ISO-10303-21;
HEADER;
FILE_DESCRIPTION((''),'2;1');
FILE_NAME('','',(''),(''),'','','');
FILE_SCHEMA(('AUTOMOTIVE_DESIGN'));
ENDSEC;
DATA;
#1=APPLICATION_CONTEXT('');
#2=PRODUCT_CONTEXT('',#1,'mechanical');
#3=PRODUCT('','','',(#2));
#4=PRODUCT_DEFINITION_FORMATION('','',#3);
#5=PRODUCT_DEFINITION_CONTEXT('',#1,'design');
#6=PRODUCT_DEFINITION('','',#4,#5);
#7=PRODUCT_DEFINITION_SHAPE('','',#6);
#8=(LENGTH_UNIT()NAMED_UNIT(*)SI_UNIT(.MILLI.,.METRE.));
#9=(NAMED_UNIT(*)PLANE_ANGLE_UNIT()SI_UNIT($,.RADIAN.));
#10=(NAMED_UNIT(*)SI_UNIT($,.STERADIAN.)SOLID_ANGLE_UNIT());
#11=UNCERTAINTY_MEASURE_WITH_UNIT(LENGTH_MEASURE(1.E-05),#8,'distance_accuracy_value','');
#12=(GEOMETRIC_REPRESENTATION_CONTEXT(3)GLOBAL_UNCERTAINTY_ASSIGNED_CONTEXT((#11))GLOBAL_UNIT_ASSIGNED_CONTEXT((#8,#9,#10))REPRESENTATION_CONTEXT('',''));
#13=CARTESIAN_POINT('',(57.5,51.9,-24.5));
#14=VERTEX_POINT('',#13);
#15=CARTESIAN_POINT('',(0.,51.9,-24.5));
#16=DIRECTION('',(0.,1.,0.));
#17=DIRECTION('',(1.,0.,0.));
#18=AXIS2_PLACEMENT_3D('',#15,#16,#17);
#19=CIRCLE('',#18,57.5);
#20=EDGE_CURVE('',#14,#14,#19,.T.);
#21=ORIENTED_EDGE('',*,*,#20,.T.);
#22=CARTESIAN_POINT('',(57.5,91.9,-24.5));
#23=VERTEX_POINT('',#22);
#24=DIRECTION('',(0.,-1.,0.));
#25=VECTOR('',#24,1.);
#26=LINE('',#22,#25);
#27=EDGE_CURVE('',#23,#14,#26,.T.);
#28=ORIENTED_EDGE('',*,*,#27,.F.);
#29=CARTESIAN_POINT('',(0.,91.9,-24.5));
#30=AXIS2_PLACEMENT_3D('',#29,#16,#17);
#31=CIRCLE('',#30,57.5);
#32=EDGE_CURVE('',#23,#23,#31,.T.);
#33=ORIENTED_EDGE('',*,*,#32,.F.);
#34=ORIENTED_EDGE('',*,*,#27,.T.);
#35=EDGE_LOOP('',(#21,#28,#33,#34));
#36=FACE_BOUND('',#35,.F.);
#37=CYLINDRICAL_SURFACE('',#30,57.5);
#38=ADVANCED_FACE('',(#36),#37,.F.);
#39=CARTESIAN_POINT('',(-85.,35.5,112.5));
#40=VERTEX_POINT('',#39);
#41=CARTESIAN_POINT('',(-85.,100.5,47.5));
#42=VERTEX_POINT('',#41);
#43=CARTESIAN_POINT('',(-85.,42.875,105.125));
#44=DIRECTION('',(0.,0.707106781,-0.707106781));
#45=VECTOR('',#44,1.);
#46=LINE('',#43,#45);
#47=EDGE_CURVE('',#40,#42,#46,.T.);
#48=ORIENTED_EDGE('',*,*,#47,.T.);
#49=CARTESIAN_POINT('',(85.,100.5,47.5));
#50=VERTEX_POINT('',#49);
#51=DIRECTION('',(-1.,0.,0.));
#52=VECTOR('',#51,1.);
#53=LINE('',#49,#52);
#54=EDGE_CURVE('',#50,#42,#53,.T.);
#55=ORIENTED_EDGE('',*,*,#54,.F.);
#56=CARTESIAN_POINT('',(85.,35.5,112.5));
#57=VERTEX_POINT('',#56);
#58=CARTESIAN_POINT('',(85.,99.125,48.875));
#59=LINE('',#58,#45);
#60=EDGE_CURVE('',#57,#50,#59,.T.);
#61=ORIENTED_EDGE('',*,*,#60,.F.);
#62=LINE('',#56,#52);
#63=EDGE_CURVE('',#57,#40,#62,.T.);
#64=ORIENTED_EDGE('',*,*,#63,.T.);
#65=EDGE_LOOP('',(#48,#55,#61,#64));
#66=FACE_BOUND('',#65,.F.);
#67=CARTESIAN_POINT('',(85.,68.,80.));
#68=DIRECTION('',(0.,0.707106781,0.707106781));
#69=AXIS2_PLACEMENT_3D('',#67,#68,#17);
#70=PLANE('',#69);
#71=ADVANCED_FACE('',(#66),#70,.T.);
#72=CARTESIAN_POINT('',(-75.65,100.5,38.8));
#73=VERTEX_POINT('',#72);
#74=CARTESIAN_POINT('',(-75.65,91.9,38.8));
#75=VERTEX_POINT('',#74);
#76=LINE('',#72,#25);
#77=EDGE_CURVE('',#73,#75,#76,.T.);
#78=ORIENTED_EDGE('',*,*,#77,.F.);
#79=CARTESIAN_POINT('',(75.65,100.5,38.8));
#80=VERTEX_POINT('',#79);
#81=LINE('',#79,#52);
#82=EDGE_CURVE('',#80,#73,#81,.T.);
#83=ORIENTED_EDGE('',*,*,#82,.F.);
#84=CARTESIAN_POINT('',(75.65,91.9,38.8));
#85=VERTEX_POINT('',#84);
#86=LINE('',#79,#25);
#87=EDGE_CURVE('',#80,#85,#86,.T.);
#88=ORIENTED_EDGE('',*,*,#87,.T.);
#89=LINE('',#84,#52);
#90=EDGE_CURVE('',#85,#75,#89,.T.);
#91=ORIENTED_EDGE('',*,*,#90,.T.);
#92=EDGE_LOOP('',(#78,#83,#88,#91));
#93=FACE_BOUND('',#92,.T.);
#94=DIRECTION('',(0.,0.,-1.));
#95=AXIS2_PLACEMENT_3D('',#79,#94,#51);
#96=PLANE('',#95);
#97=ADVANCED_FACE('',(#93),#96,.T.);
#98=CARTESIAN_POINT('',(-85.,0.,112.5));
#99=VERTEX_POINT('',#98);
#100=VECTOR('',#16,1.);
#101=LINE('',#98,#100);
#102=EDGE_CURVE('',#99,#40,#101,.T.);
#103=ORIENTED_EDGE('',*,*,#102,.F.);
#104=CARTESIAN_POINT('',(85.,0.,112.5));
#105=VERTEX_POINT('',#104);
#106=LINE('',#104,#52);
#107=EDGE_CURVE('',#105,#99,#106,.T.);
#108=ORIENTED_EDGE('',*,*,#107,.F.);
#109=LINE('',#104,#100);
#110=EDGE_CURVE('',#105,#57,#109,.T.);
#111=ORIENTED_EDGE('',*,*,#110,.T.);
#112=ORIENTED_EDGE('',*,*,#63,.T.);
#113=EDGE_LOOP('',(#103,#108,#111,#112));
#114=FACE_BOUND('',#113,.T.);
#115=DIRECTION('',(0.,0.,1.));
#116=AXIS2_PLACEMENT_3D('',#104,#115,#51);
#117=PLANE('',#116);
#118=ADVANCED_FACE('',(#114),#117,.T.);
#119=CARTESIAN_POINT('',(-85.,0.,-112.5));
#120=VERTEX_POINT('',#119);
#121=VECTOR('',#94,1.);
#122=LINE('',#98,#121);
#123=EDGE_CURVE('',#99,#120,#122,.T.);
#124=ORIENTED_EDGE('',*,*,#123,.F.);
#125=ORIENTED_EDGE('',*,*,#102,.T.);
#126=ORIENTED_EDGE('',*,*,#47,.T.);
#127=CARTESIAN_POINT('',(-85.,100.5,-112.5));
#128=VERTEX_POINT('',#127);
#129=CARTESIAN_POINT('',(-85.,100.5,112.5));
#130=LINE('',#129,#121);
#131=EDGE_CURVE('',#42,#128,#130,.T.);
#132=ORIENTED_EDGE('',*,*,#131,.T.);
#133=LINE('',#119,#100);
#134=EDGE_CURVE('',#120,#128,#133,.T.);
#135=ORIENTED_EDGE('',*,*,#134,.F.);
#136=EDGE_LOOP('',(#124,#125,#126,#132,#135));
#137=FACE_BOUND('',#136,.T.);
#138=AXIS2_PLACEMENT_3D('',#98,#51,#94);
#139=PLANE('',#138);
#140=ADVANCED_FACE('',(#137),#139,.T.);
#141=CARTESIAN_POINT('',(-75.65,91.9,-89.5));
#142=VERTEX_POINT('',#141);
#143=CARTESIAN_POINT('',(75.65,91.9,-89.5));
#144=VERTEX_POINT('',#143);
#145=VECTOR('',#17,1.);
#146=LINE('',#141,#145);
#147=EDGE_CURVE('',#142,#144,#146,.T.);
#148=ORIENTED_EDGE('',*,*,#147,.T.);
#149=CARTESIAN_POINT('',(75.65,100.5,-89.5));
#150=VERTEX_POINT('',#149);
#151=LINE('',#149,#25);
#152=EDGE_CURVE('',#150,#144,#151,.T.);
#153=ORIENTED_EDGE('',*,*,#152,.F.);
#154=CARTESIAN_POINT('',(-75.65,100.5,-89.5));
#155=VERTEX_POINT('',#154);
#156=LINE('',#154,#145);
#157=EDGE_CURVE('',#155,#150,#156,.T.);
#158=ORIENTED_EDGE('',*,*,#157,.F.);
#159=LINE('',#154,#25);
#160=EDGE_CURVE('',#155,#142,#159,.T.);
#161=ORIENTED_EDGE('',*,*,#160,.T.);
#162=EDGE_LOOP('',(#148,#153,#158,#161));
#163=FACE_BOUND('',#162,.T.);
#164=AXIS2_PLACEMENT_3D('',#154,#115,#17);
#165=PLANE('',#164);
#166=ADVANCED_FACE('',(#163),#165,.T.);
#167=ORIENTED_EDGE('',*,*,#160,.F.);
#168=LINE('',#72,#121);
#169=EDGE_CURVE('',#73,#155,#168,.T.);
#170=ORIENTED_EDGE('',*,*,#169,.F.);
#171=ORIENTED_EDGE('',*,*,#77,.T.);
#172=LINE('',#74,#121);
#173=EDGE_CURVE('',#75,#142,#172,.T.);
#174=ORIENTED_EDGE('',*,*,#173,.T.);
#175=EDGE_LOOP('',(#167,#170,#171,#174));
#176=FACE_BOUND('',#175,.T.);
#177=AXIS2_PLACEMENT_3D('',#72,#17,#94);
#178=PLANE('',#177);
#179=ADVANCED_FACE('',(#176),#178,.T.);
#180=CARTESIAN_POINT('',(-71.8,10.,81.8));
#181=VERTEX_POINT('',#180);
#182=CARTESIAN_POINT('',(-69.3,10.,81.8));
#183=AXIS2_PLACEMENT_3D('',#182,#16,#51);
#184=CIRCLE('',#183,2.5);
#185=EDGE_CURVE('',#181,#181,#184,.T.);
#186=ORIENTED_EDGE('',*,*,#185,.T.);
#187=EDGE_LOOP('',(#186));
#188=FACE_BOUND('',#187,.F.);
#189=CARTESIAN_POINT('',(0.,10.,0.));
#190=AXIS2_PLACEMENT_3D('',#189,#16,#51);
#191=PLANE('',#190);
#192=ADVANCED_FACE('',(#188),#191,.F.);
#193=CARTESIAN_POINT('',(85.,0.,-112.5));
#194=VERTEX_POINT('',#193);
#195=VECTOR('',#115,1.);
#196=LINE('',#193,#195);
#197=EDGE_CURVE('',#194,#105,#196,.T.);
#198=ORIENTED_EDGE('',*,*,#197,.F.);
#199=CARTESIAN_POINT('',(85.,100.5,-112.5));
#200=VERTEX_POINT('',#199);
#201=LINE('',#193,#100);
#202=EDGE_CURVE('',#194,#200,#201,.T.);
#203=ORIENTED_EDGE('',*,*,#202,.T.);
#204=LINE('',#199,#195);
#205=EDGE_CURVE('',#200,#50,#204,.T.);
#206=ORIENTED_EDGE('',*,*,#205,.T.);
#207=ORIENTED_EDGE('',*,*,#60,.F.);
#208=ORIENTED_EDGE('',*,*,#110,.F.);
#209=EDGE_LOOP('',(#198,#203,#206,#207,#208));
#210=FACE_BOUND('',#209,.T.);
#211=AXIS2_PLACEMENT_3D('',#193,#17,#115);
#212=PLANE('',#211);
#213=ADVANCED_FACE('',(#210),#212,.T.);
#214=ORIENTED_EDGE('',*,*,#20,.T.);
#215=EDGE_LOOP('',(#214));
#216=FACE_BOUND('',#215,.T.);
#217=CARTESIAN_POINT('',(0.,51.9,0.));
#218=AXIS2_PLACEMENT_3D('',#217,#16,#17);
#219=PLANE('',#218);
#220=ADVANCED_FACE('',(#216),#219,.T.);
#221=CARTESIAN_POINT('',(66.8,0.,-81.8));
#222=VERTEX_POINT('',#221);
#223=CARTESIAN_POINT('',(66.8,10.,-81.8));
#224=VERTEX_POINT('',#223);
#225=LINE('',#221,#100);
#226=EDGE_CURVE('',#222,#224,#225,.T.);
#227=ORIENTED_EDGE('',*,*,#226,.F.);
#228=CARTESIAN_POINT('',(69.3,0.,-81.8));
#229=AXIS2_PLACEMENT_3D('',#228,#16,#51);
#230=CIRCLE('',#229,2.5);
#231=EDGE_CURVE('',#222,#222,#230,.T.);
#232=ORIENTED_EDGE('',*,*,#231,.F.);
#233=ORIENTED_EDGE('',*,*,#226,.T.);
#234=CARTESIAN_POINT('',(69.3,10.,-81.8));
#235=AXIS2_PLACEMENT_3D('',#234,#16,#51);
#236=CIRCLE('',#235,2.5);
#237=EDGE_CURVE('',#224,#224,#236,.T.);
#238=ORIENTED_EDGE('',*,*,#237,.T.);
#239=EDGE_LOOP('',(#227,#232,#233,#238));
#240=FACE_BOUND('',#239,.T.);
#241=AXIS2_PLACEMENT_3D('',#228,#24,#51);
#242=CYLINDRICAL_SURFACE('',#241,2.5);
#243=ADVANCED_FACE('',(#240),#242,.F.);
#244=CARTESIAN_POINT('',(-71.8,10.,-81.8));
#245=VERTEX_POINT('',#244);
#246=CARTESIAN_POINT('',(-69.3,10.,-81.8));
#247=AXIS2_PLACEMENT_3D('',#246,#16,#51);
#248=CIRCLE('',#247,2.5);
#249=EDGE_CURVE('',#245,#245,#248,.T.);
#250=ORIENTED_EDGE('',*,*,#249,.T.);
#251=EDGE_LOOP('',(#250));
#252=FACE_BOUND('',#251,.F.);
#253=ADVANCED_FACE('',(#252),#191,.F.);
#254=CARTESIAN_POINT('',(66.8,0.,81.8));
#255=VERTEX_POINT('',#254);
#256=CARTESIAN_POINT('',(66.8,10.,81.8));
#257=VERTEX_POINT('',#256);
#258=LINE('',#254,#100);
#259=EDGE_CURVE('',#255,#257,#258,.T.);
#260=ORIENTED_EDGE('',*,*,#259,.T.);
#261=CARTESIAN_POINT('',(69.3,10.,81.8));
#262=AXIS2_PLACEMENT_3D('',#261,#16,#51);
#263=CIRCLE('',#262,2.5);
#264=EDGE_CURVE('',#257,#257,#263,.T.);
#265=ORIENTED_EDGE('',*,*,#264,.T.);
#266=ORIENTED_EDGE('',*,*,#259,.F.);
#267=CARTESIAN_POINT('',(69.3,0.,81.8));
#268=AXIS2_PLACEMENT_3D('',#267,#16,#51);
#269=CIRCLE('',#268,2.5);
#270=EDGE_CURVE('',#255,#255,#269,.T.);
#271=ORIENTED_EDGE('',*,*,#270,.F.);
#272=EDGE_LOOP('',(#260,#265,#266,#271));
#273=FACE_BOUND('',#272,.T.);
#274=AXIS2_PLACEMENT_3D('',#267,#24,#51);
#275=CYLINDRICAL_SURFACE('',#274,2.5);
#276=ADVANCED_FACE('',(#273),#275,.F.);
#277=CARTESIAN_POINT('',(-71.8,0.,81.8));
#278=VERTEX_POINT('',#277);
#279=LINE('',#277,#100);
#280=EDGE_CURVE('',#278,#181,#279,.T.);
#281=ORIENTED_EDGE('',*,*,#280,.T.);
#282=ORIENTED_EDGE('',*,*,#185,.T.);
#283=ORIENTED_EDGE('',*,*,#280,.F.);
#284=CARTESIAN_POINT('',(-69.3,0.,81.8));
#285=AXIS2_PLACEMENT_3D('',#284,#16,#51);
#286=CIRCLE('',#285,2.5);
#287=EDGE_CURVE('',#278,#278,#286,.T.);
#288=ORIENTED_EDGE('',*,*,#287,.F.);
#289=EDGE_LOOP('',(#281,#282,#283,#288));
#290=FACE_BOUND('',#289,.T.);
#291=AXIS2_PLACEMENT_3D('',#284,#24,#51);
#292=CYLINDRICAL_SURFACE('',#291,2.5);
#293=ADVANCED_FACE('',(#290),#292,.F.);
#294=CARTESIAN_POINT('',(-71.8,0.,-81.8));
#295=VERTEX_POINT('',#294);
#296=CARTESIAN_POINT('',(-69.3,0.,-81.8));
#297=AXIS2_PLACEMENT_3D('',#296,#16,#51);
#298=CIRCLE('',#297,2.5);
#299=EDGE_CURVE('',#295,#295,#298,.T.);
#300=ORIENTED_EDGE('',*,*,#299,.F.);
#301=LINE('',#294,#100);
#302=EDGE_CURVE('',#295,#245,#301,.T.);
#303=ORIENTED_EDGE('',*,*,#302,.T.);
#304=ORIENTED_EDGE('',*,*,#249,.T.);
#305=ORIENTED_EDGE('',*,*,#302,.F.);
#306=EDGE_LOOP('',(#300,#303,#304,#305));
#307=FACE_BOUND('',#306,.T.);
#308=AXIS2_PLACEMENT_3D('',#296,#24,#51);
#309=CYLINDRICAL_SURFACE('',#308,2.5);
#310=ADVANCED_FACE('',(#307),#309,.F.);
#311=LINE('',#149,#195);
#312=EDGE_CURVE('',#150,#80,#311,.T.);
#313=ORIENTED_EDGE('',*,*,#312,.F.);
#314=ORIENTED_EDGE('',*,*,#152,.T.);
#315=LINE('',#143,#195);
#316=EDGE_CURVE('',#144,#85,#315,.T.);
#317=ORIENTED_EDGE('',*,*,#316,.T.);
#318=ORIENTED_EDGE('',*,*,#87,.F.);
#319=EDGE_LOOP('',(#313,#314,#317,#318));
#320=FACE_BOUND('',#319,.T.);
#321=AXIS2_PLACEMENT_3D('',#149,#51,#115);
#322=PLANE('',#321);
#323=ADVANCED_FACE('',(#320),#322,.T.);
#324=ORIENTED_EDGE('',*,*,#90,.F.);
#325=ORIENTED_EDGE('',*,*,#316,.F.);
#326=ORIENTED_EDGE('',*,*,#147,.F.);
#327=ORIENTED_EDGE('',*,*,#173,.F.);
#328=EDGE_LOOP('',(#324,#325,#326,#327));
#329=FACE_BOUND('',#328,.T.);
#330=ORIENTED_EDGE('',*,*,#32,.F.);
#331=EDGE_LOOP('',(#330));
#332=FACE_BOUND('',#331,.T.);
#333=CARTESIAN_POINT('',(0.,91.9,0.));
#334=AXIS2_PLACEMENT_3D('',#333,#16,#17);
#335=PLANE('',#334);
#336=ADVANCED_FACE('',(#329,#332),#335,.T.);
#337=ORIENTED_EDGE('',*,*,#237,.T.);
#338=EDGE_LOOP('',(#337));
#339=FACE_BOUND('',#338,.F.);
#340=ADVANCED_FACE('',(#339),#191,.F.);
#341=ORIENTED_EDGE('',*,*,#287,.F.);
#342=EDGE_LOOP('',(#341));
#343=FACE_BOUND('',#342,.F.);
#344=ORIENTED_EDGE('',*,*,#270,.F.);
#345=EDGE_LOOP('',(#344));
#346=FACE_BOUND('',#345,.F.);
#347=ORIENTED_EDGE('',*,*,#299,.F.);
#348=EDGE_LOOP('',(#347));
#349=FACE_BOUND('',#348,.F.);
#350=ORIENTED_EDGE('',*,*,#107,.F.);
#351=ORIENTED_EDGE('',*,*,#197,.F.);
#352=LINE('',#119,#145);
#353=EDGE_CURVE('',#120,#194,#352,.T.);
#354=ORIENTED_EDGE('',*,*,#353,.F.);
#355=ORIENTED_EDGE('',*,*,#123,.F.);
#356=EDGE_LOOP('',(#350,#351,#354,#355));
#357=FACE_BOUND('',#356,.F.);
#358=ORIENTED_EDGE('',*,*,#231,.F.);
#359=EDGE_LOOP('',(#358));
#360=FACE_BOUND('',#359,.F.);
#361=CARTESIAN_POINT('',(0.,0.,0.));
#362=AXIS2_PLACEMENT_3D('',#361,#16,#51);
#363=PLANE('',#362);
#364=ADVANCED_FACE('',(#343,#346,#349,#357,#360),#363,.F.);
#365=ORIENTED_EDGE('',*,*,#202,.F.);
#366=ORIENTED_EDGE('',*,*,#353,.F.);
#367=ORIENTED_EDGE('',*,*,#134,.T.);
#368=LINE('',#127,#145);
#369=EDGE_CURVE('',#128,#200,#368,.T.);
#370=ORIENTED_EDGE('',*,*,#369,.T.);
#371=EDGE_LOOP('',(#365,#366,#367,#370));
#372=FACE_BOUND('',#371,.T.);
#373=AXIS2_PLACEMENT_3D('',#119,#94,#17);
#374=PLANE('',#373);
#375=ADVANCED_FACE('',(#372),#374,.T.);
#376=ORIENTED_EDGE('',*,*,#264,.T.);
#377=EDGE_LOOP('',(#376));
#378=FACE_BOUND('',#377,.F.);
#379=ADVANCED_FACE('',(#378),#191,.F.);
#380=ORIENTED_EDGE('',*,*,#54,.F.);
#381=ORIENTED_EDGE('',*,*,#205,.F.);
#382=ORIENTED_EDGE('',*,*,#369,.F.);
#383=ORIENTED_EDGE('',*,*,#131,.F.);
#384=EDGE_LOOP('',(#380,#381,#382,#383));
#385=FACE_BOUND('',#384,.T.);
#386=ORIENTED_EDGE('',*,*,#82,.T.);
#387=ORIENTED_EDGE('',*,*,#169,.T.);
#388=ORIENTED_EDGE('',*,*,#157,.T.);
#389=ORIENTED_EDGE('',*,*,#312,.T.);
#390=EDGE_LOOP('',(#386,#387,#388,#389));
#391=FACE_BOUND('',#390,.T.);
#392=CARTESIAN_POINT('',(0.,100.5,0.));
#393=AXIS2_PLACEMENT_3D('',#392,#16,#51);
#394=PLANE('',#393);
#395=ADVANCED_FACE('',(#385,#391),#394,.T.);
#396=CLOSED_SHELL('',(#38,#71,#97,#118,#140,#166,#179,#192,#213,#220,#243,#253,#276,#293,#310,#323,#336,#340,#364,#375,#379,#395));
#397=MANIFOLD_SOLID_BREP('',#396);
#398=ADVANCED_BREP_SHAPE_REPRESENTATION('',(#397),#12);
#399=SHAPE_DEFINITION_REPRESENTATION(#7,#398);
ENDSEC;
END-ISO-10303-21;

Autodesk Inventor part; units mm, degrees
ref_plane "YZ Plane" through (0, 0, 0) normal (1, 0, 0) x (0, 1, 0)
ref_plane "XZ Plane" through (0, 0, 0) normal (0, 1, 0) x (-1, 0, 0)
ref_plane "XY Plane" through (0, 0, 0) normal (0, 0, 1) x (1, 0, 0)
sketch "Sketch1" plane through (0, 0, 0) normal (0, 1, 0) x (-1, 0, 0)
  line L0 (-85, 112.5) -> (85, 112.5)
  line L1 (85, 112.5) -> (85, -112.5)
  line L2 (85, -112.5) -> (-85, -112.5)
  line L3 (-85, -112.5) -> (-85, 112.5)
  line L4 (-85, 112.5) -> (85, -112.5) construction
  line L5 (85, 112.5) -> (-85, -112.5) construction
  circle A0 centre (69.3, 81.8) radius 2.5
  circle A1 centre (69.3, -81.8) radius 2.5
  circle A2 centre (-69.3, -81.8) radius 2.5
  circle A3 centre (-69.3, 81.8) radius 2.5
  line L6 (69.3, 81.8) -> (-69.3, 81.8) construction
  line L7 (69.3, 81.8) -> (69.3, -81.8) construction
  line L8 (69.3, -81.8) -> (-69.3, -81.8) construction
  line L9 (69.3, 0) -> (0, 0) construction
  line L10 (0, 81.8) -> (0, 0) construction
  dimension "d2" = 170
  dimension "d3" = 225
  dimension "d9" = 163.6
  dimension "d10" = 5
  dimension "d11" = 138.6
extrude "Extrusion1" add sketch "Sketch1" along normal blind 100.5 contours L0 L1 L2 L3 | A0 | A1 | A2 | A3
extrude "Extrusion2" cut sketch "Sketch1" along normal blind 10 contours A0 | A1 | A2 | A3
chamfer "Chamfer1" distance 65 angle 45 1 edges at (0, 100.5, 112.5)
sketch "Sketch2" plane through (0, 100.5, 0) normal (0, 1, 0) x (1, 0, 0)
  line L0 (75.65, -38.8) -> (-75.65, -38.8)
  line L1 (-75.65, -38.8) -> (-75.65, 89.5)
  line L2 (-75.65, 89.5) -> (75.65, 89.5)
  line L3 (75.65, 89.5) -> (75.65, -38.8)
  line L4 (75.65, -38.8) -> (-75.65, 89.5) construction
  line L5 (-75.65, -38.8) -> (75.65, 89.5) construction
  line L6 (85, -47.5) -> (-85, -47.5) projected
  line L7 (85, -47.5) -> (85, 112.5) projected
  line L8 (85, 112.5) -> (-85, 112.5) projected
  line L9 (-85, 112.5) -> (-85, -47.5) projected
  line L10 (0, 89.5) -> (0, 112.5) construction
  circle A0 centre (0, 24.5) radius 57.5
  line L11 (0, 24.5) -> (0, 82) construction
  line L12 (0, 82) -> (0, 89.5) construction
  point P0 (0, 0)
  dimension "d21" = 115
  dimension "d18" = 151.3
  dimension "d19" = 128.3
  dimension "d20" = 23
  dimension "d22" = 7.5
extrude "Extrusion3" cut sketch "Sketch2" against normal blind 8.6 contours L0 L1 L2 L3 | A0
extrude "Extrusion4" cut sketch "Sketch2" against normal blind 40 from surface at -8.6 contours A0
properties part number "Spin Coater"
